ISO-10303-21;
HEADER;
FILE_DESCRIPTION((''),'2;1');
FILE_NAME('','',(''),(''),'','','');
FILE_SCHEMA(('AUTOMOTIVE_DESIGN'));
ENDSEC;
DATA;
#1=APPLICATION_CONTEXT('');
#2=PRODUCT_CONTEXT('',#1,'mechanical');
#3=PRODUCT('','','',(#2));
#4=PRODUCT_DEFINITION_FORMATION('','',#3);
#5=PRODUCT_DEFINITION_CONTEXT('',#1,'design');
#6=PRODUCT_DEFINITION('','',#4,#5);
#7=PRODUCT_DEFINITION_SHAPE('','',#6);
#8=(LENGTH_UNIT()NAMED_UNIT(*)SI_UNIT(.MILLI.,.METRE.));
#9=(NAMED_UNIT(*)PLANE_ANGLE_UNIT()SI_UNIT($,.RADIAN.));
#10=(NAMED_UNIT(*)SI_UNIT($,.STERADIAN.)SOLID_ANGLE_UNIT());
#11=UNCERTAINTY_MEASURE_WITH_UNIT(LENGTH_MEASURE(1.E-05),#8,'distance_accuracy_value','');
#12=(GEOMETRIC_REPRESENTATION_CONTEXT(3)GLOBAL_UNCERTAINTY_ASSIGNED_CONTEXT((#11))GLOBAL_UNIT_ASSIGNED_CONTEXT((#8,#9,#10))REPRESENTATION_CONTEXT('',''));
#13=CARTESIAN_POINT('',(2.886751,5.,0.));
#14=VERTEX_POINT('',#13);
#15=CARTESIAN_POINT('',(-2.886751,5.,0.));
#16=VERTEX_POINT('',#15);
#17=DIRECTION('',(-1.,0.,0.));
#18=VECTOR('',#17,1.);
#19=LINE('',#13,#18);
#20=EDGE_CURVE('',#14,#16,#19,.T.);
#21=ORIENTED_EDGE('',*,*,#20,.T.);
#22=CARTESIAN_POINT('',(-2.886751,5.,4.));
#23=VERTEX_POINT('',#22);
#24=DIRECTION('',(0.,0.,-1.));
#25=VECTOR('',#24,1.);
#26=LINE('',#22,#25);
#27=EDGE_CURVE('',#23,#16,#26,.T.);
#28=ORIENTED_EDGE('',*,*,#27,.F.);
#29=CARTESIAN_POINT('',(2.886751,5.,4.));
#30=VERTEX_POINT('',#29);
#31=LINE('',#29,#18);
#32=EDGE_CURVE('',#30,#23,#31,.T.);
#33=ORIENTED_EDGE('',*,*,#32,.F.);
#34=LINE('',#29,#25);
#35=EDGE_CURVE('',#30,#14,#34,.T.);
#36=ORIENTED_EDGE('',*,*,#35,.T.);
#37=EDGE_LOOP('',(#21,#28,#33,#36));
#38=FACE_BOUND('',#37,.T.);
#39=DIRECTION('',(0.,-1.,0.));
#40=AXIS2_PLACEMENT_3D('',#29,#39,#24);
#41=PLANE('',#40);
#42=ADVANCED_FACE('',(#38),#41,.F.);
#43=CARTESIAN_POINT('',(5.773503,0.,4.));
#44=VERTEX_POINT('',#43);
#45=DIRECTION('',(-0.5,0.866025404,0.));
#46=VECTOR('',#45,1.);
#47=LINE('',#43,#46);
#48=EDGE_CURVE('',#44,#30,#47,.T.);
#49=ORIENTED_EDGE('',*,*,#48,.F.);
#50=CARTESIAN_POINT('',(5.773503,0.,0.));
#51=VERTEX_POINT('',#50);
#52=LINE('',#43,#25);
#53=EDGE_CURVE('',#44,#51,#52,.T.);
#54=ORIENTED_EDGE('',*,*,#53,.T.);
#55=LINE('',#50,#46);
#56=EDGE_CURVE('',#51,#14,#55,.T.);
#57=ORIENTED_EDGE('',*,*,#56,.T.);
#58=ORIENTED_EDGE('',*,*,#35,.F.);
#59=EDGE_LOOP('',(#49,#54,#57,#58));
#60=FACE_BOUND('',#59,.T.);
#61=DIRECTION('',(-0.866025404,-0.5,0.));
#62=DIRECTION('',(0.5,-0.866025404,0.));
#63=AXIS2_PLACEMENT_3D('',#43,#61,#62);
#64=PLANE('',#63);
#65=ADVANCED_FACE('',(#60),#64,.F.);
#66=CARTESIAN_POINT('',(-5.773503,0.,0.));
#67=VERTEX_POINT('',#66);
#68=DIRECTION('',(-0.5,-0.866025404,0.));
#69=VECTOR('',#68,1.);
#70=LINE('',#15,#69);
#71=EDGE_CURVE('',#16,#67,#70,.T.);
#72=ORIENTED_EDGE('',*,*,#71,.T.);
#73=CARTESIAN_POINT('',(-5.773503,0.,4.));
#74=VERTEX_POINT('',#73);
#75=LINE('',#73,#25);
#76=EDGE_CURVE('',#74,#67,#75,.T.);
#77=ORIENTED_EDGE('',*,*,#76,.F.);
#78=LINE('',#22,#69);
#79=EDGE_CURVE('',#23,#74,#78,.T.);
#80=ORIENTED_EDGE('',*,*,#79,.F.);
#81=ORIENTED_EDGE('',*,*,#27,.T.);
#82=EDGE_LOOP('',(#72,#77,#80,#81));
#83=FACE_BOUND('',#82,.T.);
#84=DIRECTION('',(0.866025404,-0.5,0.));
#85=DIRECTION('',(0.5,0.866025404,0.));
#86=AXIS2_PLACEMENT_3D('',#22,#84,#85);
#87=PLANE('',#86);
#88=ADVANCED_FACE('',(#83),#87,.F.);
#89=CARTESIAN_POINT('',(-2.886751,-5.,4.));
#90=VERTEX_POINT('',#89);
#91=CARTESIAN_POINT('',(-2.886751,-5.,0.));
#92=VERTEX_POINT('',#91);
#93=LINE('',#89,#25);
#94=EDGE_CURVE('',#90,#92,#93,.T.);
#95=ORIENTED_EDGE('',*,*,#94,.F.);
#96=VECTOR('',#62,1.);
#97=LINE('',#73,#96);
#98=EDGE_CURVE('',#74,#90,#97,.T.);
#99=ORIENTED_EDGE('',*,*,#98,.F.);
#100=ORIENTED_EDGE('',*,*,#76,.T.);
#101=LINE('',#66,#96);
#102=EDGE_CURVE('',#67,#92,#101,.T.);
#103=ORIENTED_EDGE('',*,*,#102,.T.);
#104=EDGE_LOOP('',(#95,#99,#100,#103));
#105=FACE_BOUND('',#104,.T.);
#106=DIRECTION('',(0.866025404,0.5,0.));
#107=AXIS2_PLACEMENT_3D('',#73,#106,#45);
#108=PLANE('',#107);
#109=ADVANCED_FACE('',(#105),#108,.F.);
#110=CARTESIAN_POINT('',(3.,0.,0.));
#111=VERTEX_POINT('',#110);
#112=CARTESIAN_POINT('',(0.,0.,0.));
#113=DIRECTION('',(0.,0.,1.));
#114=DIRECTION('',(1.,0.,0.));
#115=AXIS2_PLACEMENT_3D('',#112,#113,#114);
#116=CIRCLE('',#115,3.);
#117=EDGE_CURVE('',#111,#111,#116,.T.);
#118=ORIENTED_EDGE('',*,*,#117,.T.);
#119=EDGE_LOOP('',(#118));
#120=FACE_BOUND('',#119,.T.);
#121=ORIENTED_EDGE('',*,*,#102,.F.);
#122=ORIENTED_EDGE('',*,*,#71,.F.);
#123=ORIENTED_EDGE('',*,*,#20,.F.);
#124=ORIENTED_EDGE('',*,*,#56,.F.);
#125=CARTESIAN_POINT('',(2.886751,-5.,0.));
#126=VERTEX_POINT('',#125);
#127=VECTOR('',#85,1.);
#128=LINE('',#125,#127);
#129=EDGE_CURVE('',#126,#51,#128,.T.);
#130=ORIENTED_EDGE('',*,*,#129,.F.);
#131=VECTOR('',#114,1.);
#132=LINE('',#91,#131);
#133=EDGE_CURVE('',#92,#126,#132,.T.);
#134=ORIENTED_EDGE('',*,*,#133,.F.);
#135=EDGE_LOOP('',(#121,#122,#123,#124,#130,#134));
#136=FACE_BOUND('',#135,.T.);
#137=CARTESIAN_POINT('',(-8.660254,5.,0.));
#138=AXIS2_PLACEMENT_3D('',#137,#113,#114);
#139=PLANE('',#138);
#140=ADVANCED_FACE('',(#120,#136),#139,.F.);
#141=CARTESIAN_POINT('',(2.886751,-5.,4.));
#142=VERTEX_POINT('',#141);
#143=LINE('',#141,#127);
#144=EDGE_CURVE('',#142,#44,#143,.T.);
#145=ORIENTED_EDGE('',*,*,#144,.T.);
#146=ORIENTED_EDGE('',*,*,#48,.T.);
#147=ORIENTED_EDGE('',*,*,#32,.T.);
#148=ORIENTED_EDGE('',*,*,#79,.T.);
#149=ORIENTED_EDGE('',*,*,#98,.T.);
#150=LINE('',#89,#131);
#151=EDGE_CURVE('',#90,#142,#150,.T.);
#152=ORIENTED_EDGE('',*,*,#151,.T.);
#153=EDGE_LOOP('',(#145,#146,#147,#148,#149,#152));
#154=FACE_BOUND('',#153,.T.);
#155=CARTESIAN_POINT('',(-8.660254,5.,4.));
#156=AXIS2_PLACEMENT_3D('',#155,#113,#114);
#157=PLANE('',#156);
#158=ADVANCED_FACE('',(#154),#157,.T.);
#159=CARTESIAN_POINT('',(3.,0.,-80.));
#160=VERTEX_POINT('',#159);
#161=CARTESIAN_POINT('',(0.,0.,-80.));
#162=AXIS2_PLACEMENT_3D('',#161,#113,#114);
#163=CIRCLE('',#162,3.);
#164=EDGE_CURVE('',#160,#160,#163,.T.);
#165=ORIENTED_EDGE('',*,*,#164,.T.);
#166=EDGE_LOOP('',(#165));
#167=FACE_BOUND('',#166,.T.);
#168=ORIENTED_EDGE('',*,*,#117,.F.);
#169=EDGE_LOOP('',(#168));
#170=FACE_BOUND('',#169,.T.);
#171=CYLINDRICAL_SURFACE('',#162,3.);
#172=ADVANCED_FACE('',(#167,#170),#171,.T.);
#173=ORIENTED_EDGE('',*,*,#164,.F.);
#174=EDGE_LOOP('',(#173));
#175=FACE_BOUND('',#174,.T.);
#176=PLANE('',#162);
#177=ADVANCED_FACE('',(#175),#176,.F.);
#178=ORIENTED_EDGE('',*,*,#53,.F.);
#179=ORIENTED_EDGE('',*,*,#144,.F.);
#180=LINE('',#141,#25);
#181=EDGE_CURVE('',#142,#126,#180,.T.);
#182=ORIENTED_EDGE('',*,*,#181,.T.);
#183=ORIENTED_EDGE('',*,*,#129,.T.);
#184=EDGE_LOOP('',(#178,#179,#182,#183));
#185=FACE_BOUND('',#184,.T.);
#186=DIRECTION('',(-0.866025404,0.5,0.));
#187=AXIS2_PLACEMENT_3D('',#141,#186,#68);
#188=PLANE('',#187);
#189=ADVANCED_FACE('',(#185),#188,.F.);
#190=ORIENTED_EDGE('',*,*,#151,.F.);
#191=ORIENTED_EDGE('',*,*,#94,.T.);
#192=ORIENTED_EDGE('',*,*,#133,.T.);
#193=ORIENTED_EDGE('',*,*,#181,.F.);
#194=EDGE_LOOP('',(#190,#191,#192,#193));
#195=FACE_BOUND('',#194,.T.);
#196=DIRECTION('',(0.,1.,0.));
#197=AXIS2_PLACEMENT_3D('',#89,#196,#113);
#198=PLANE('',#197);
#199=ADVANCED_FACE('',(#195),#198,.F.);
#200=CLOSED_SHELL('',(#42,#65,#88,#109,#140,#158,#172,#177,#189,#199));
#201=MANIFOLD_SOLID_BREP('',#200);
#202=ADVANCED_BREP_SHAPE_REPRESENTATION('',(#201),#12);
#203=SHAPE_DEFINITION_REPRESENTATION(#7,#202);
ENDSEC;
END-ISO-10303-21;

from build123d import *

# Parameters (mm, degrees)
SKETCH1_R      = 3
EXTRUDE1_DEPTH = 80
EXTRUDE2_DEPTH = 4


with BuildPart() as part:
    # Sketch1 → Extrude1 (new body)
    with BuildSketch(Plane.XY):
        Circle(SKETCH1_R)
    extrude(amount=-EXTRUDE1_DEPTH)

    # Sketch2 → Extrude2 (add)
    with BuildSketch(Plane.XY):
        Polygon((-2.886751346, 5), (-5.773502692, 0), (-2.886751346, -5), (2.886751346, -5), (5.773502692, 0), (2.886751346, 5), align=None)
    extrude(amount=EXTRUDE2_DEPTH)


solid = part.part
